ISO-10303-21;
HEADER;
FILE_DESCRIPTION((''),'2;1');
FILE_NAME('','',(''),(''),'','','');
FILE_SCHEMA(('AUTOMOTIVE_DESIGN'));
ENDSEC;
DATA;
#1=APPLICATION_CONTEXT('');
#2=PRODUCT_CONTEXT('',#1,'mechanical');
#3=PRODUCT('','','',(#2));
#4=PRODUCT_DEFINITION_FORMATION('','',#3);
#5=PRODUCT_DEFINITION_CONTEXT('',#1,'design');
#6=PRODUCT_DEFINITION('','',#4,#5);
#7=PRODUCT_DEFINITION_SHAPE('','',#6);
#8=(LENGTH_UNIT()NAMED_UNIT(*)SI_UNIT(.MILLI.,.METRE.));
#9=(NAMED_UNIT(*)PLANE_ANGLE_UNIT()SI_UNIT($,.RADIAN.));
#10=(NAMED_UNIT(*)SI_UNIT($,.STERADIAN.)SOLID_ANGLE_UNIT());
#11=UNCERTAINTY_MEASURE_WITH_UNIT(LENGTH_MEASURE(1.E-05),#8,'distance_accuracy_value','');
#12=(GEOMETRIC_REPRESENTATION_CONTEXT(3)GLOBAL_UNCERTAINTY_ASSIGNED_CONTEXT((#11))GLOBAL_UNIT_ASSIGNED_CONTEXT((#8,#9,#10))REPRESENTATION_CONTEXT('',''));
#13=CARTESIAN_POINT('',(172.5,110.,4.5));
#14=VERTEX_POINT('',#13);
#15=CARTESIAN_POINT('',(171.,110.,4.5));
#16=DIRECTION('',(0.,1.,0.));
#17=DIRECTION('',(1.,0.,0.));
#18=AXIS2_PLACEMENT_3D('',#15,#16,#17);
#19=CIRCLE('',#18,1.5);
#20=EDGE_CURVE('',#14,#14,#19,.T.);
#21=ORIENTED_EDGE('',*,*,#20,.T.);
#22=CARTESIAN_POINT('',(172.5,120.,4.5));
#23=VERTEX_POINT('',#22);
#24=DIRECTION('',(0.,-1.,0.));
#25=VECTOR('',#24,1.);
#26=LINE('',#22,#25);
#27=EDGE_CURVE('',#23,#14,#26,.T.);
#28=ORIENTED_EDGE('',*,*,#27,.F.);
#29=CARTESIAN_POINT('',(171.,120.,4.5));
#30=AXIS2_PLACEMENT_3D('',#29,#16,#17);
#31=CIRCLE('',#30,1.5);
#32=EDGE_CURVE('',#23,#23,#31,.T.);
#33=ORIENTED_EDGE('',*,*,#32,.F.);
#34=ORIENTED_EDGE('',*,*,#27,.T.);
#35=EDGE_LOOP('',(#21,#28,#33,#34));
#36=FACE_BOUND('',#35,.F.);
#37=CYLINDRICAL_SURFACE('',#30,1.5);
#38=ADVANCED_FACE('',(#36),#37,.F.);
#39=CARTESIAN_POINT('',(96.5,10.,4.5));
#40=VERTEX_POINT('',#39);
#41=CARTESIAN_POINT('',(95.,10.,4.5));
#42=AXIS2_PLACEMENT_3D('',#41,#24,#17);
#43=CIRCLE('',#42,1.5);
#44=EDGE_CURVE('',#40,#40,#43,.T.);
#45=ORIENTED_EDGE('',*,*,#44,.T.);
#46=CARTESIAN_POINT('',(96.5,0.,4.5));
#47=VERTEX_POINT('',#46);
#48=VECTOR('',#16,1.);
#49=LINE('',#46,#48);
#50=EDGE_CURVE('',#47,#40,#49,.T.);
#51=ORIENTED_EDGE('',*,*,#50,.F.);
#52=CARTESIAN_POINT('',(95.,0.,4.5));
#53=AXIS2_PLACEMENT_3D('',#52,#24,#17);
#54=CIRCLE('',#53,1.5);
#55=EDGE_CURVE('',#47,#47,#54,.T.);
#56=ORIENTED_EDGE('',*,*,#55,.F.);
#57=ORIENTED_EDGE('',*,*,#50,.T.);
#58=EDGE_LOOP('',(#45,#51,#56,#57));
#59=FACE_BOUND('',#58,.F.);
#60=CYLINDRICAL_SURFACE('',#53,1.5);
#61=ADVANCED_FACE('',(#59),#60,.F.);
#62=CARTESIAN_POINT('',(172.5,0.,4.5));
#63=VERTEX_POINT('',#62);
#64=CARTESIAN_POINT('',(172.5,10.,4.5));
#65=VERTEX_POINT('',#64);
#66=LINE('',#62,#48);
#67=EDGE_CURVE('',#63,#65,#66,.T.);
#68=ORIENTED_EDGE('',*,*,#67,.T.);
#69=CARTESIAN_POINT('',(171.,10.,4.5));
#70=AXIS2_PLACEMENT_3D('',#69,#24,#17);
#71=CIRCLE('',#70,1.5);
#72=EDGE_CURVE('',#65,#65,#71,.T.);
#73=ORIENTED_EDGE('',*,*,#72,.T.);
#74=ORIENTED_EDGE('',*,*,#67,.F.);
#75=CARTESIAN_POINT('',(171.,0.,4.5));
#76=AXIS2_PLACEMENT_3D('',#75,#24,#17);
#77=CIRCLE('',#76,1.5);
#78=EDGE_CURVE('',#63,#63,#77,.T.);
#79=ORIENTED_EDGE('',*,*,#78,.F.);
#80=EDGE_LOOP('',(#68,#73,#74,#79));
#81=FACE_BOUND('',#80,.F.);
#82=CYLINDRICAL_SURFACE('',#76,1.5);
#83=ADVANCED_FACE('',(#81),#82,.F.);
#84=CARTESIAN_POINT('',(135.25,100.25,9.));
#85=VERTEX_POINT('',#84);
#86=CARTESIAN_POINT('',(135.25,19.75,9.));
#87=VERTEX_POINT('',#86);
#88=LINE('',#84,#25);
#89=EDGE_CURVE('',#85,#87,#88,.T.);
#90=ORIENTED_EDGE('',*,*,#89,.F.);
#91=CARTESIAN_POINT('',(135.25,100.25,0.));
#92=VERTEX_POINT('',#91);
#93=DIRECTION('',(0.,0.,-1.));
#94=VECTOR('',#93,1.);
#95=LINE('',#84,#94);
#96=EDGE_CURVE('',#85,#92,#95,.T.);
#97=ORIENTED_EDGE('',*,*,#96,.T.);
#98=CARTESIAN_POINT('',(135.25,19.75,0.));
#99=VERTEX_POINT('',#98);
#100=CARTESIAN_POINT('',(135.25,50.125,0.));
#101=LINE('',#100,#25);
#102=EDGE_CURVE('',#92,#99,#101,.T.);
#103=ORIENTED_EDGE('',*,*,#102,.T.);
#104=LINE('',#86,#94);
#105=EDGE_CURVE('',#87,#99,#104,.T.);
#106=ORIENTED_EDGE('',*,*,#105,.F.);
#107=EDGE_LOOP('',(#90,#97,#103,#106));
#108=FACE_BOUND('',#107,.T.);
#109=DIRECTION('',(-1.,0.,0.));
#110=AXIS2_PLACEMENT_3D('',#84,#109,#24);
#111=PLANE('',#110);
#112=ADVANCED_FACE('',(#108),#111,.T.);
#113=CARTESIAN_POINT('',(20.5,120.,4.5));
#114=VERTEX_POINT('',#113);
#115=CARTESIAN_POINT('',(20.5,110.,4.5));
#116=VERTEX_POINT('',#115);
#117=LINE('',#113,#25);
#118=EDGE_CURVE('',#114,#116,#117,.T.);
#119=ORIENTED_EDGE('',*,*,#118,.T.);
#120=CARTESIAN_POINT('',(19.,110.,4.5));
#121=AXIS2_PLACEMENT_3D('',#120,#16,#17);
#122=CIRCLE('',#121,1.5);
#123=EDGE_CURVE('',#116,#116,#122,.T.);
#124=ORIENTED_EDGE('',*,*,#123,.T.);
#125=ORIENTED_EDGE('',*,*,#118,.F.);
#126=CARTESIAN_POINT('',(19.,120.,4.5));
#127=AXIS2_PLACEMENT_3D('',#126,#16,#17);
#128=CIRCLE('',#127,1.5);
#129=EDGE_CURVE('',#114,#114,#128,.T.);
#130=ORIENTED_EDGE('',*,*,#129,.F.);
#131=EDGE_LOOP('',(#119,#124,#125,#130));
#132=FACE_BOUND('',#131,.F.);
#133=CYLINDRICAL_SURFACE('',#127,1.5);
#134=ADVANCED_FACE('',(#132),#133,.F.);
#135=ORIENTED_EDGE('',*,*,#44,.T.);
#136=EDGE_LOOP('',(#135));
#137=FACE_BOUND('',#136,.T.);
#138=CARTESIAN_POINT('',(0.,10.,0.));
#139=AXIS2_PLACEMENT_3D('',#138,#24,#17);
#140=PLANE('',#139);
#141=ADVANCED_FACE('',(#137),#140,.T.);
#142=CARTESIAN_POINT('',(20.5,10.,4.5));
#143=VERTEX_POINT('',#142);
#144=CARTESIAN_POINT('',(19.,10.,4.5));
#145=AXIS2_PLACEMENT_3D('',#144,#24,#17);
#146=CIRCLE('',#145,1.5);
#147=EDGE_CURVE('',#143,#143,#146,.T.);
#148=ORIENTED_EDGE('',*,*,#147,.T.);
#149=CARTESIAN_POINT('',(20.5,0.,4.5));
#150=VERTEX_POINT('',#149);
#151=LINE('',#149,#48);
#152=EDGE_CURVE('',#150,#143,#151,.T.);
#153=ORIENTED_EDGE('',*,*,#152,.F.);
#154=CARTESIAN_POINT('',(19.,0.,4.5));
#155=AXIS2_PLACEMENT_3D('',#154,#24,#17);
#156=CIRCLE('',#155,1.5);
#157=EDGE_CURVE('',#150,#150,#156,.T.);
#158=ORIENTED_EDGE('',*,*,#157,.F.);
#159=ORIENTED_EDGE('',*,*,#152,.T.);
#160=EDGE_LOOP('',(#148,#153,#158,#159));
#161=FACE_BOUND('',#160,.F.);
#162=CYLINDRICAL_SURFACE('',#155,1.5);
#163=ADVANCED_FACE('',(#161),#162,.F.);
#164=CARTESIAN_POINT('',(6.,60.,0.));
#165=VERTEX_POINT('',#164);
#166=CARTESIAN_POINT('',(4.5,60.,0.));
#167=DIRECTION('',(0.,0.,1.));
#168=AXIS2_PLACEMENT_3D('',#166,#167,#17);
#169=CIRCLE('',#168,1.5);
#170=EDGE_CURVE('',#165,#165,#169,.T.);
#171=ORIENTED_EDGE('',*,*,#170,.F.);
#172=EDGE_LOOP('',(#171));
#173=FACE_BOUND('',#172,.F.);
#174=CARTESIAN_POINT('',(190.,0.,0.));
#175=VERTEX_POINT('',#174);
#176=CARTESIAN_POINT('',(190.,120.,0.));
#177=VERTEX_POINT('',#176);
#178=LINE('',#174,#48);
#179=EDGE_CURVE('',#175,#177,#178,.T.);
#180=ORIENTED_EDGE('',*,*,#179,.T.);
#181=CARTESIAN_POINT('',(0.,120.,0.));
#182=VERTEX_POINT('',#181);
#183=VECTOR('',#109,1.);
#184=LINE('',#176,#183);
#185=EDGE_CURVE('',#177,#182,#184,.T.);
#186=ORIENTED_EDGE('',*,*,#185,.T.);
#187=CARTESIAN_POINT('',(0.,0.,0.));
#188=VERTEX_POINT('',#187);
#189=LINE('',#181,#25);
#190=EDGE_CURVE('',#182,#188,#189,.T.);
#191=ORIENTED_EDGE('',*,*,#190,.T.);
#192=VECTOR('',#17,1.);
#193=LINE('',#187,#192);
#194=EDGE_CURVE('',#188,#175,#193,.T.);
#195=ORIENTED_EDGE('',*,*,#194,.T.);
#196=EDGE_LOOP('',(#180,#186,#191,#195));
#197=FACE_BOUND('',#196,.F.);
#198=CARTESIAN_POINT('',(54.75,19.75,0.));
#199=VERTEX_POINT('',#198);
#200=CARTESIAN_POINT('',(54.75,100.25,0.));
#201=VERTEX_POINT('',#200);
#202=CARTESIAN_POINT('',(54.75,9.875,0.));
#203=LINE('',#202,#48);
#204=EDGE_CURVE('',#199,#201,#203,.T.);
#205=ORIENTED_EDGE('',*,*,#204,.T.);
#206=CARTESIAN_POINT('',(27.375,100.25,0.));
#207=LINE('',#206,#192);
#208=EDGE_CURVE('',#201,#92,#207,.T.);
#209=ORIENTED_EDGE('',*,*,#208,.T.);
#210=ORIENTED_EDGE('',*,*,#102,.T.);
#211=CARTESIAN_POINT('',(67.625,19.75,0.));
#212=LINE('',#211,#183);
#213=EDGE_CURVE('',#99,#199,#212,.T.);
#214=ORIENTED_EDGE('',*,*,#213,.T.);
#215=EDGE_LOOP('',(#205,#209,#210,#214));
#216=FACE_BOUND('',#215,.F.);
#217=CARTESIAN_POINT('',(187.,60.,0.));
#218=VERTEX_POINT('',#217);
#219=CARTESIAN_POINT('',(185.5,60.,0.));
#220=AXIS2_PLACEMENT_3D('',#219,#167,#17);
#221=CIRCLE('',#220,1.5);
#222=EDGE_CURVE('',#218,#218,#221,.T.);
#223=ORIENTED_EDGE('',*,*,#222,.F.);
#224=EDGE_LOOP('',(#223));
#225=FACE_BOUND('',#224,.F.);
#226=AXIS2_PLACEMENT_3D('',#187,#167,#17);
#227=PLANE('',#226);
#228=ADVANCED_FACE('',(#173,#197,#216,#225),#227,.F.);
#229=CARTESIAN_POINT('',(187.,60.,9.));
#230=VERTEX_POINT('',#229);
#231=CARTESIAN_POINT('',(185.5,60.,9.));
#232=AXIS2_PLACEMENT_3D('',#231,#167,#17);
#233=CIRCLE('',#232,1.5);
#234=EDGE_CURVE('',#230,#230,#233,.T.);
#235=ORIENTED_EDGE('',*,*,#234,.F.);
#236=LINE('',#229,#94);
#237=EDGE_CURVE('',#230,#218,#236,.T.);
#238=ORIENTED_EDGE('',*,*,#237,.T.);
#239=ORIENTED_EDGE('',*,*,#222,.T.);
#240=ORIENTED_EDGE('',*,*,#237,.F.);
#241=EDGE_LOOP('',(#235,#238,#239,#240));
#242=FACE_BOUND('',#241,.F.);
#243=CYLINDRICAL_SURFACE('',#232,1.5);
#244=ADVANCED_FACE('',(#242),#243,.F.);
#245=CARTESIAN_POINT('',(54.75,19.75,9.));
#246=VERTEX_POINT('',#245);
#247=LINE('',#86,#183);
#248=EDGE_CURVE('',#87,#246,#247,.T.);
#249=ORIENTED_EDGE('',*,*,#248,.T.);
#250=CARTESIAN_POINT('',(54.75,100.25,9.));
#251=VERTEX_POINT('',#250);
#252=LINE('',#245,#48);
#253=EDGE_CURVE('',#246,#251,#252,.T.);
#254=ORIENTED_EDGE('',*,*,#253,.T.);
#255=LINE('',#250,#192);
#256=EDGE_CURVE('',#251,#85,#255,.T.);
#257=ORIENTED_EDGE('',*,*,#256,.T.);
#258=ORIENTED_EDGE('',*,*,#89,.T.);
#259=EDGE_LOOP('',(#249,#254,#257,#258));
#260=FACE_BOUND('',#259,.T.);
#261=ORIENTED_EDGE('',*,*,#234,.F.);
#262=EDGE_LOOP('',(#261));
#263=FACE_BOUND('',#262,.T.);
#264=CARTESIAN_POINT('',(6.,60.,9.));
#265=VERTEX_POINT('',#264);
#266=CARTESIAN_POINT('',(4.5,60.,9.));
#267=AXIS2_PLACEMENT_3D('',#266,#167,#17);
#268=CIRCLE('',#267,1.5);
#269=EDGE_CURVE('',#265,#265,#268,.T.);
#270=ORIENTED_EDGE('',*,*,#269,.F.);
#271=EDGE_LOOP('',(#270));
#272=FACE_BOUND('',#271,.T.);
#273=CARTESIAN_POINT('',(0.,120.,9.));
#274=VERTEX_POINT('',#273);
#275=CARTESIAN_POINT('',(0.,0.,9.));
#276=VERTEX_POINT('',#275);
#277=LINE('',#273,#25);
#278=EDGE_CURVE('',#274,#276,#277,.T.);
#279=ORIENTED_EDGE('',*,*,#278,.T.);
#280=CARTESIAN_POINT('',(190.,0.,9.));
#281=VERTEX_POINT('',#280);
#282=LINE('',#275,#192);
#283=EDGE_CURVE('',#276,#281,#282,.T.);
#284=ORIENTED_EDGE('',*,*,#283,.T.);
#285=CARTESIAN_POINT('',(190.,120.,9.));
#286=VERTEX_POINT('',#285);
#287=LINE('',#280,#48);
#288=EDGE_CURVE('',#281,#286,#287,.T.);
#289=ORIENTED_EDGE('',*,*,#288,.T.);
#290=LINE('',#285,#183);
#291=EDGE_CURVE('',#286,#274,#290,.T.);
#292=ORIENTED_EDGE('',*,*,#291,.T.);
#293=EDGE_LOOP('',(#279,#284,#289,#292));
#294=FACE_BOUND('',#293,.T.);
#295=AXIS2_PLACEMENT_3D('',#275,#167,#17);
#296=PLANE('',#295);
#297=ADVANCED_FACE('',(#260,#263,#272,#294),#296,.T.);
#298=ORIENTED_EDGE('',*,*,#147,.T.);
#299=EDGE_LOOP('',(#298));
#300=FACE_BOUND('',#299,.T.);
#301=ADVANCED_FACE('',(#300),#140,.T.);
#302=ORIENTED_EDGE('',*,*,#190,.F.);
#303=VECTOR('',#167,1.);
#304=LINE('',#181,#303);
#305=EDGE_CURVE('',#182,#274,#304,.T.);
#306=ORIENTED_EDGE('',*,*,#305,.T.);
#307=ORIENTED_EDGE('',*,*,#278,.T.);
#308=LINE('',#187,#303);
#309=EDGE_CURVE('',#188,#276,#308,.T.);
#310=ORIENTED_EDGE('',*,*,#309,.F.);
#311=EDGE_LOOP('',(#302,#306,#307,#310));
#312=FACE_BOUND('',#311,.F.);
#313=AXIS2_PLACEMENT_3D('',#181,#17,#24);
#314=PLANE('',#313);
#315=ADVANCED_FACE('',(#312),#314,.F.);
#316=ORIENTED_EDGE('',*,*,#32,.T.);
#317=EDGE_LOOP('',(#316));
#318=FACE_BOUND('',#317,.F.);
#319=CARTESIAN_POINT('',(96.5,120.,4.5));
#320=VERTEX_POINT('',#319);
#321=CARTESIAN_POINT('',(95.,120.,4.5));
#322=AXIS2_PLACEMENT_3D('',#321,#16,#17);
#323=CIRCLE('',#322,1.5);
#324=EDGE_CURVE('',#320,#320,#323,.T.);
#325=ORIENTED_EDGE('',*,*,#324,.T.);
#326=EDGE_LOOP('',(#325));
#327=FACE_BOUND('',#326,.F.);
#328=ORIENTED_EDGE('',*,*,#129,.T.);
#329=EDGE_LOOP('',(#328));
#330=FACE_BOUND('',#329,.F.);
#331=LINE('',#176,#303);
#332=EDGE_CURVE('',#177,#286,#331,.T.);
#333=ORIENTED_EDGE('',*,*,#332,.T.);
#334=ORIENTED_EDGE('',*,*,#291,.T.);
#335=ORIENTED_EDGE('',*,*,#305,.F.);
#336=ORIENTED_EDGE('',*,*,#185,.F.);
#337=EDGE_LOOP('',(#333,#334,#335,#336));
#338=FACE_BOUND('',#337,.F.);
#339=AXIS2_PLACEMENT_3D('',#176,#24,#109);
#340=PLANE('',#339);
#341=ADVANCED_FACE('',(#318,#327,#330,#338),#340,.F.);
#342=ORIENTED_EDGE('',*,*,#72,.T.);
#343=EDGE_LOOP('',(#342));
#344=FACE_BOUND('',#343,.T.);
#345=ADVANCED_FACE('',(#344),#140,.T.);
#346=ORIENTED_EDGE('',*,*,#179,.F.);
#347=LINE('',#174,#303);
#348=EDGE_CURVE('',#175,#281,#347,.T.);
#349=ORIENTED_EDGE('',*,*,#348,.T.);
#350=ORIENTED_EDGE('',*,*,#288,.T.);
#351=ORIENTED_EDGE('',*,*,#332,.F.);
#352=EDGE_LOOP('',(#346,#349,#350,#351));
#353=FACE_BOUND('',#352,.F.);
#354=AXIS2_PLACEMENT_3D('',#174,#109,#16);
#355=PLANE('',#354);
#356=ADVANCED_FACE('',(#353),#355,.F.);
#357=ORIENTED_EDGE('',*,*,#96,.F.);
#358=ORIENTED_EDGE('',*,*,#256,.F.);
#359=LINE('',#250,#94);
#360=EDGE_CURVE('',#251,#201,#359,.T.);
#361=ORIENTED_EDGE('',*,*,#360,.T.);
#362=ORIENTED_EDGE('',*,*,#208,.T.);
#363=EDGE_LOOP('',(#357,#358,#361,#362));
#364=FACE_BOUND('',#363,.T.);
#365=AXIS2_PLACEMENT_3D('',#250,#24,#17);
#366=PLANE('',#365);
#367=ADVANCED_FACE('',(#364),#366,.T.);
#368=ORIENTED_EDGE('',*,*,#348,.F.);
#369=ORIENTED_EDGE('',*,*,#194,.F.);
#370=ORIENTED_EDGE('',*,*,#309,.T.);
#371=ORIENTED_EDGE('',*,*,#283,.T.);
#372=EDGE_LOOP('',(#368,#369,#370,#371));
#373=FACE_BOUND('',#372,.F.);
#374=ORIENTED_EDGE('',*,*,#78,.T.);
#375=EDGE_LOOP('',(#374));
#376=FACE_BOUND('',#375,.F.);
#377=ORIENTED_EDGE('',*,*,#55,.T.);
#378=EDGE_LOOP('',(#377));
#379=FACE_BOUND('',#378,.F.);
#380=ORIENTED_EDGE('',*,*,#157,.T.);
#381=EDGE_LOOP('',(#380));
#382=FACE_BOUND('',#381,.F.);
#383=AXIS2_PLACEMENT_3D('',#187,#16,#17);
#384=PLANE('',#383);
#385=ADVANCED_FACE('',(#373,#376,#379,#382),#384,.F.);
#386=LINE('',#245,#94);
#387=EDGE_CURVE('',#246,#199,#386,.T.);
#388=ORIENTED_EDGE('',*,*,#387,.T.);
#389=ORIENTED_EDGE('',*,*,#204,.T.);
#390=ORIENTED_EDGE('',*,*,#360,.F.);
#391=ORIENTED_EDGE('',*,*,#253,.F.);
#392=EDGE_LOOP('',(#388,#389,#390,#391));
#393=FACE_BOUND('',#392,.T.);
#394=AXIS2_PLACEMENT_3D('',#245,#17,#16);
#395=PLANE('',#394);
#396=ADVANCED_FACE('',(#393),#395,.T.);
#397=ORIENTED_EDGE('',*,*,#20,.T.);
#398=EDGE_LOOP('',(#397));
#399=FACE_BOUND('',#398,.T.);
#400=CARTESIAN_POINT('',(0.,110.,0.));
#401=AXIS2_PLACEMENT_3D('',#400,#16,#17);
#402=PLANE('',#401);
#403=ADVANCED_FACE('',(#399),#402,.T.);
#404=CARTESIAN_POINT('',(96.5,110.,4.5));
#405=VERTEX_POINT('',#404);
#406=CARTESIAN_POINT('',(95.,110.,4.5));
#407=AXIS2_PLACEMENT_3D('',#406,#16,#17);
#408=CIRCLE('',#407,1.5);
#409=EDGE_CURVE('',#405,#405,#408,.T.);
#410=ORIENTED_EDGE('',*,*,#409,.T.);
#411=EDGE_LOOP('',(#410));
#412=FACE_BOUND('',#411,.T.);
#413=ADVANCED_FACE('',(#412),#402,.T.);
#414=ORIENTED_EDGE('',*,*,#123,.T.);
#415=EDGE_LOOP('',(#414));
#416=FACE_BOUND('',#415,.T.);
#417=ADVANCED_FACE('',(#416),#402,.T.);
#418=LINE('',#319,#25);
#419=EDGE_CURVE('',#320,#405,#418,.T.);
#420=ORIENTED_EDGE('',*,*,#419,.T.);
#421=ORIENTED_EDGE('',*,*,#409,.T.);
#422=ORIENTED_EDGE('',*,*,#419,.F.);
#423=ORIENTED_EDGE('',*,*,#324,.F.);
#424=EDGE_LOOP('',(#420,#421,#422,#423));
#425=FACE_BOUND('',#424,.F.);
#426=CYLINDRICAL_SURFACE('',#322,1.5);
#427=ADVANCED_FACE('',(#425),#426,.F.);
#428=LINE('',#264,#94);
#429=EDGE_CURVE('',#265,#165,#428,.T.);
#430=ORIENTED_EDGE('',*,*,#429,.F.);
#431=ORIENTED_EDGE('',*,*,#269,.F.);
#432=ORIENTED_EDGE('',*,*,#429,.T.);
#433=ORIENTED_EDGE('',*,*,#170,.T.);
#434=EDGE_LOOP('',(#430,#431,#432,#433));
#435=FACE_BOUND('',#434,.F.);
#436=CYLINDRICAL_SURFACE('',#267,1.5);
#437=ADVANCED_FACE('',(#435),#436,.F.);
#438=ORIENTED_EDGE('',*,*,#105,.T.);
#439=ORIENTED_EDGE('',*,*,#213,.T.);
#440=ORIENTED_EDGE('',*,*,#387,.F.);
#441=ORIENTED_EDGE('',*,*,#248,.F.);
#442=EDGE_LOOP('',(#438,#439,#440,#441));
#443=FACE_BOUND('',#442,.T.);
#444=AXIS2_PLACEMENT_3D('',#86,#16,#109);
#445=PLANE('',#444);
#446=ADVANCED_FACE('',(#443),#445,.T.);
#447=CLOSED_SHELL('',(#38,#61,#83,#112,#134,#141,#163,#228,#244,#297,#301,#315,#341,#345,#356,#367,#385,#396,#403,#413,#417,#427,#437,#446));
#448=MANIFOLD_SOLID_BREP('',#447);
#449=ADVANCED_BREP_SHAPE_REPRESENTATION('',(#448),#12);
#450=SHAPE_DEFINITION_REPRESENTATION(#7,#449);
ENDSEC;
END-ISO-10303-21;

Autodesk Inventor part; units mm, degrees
ref_plane "YZ Plane" through (0, 0, 0) normal (1, 0, 0) x (0, 1, 0)
ref_plane "XZ Plane" through (0, 0, 0) normal (0, 1, 0) x (-1, 0, 0)
ref_plane "XY Plane" through (0, 0, 0) normal (0, 0, 1) x (1, 0, 0)
sketch "Sketch1" plane through (0, 0, 0) normal (0, 0, 1) x (1, 0, 0)
  line L0 (0, 0) -> (190, 0)
  line L1 (190, 0) -> (190, 120)
  line L2 (190, 120) -> (0, 120)
  line L3 (0, 120) -> (0, 0)
  dimension "d0" = 190
  dimension "d1" = 120
extrude "Extrusion1" add sketch "Sketch1" along normal blind 9
sketch "Sketch2" plane through (0, 0, 9) normal (0, 0, 1) x (1, 0, 0)
  line L0 (190, 0) -> (190, 120) projected
  line L1 (190, 120) -> (0, 120) projected
  line L2 (0, 120) -> (0, 0) projected
  line L3 (0, 0) -> (190, 0) projected
  line L4 (135.25, 19.75) -> (54.75, 19.75)
  line L5 (54.75, 19.75) -> (54.75, 100.25)
  line L6 (54.75, 100.25) -> (135.25, 100.25)
  line L7 (135.25, 100.25) -> (135.25, 19.75)
  line L8 (135.25, 19.75) -> (54.75, 100.25) construction
  line L9 (54.75, 19.75) -> (135.25, 100.25) construction
  point P0 (95, 60)
  dimension "d4" = 80.5
  dimension "d5" = 80.5
extrude "Extrusion2" cut sketch "Sketch2" against normal blind 10 contours L4 L5 L6 L7
sketch "Sketch3" plane through (0, 120, 0) normal (0, 1, 0) x (1, 0, 0)
  line L0 (190, 0) -> (0, 0) projected
  line L1 (0, 0) -> (0, -9) projected
  line L2 (190, -9) -> (0, -9) projected
  line L3 (190, 0) -> (190, -9) projected
  circle A0 centre (19, -4.5) radius 1.5
  circle A1 centre (95, -4.5) radius 1.5
  circle A2 centre (171, -4.5) radius 1.5
  point P0 (0, 0)
  dimension "d8" = 3
  dimension "d9" = 3
  dimension "d10" = 3
extrude "Extrusion3" cut sketch "Sketch3" against normal blind 10 contours A0 | A1 | A2
sketch "Sketch4" plane through (0, 0, 0) normal (0, -1, 0) x (1, 0, 0)
  circle A0 centre (19, 4.5) radius 1.5 projected
  circle A1 centre (95, 4.5) radius 1.5 projected
  circle A2 centre (171, 4.5) radius 1.5 projected
  point P0 (0, 0)
extrude "Extrusion4" cut sketch "Sketch4" against normal blind 10
sketch "Sketch5" plane through (0, 0, 9) normal (0, 0, 1) x (1, 0, 0)
  line L0 (190, 120) -> (0, 120) projected
  line L1 (0, 0) -> (190, 0) projected
  line L2 (0, 120) -> (9, 120)
  line L3 (9, 120) -> (9, 0)
  line L4 (9, 0) -> (0, 0)
  line L5 (0, 0) -> (0, 120)
  line L6 (190, 120) -> (181, 120)
  line L7 (181, 120) -> (181, 0)
  line L8 (181, 0) -> (190, 0)
  line L9 (190, 0) -> (190, 120)
  circle A0 centre (4.5, 60) radius 1.5
  circle A1 centre (185.5, 60) radius 1.5
  dimension "d15" = 9
  dimension "d16" = 9
  dimension "d17" = 3
  dimension "d18" = 3
extrude "Extrusion5" cut sketch "Sketch5" against normal blind 10 contours A0 | A1
properties part number "Lateral1-2_3DPrint"
